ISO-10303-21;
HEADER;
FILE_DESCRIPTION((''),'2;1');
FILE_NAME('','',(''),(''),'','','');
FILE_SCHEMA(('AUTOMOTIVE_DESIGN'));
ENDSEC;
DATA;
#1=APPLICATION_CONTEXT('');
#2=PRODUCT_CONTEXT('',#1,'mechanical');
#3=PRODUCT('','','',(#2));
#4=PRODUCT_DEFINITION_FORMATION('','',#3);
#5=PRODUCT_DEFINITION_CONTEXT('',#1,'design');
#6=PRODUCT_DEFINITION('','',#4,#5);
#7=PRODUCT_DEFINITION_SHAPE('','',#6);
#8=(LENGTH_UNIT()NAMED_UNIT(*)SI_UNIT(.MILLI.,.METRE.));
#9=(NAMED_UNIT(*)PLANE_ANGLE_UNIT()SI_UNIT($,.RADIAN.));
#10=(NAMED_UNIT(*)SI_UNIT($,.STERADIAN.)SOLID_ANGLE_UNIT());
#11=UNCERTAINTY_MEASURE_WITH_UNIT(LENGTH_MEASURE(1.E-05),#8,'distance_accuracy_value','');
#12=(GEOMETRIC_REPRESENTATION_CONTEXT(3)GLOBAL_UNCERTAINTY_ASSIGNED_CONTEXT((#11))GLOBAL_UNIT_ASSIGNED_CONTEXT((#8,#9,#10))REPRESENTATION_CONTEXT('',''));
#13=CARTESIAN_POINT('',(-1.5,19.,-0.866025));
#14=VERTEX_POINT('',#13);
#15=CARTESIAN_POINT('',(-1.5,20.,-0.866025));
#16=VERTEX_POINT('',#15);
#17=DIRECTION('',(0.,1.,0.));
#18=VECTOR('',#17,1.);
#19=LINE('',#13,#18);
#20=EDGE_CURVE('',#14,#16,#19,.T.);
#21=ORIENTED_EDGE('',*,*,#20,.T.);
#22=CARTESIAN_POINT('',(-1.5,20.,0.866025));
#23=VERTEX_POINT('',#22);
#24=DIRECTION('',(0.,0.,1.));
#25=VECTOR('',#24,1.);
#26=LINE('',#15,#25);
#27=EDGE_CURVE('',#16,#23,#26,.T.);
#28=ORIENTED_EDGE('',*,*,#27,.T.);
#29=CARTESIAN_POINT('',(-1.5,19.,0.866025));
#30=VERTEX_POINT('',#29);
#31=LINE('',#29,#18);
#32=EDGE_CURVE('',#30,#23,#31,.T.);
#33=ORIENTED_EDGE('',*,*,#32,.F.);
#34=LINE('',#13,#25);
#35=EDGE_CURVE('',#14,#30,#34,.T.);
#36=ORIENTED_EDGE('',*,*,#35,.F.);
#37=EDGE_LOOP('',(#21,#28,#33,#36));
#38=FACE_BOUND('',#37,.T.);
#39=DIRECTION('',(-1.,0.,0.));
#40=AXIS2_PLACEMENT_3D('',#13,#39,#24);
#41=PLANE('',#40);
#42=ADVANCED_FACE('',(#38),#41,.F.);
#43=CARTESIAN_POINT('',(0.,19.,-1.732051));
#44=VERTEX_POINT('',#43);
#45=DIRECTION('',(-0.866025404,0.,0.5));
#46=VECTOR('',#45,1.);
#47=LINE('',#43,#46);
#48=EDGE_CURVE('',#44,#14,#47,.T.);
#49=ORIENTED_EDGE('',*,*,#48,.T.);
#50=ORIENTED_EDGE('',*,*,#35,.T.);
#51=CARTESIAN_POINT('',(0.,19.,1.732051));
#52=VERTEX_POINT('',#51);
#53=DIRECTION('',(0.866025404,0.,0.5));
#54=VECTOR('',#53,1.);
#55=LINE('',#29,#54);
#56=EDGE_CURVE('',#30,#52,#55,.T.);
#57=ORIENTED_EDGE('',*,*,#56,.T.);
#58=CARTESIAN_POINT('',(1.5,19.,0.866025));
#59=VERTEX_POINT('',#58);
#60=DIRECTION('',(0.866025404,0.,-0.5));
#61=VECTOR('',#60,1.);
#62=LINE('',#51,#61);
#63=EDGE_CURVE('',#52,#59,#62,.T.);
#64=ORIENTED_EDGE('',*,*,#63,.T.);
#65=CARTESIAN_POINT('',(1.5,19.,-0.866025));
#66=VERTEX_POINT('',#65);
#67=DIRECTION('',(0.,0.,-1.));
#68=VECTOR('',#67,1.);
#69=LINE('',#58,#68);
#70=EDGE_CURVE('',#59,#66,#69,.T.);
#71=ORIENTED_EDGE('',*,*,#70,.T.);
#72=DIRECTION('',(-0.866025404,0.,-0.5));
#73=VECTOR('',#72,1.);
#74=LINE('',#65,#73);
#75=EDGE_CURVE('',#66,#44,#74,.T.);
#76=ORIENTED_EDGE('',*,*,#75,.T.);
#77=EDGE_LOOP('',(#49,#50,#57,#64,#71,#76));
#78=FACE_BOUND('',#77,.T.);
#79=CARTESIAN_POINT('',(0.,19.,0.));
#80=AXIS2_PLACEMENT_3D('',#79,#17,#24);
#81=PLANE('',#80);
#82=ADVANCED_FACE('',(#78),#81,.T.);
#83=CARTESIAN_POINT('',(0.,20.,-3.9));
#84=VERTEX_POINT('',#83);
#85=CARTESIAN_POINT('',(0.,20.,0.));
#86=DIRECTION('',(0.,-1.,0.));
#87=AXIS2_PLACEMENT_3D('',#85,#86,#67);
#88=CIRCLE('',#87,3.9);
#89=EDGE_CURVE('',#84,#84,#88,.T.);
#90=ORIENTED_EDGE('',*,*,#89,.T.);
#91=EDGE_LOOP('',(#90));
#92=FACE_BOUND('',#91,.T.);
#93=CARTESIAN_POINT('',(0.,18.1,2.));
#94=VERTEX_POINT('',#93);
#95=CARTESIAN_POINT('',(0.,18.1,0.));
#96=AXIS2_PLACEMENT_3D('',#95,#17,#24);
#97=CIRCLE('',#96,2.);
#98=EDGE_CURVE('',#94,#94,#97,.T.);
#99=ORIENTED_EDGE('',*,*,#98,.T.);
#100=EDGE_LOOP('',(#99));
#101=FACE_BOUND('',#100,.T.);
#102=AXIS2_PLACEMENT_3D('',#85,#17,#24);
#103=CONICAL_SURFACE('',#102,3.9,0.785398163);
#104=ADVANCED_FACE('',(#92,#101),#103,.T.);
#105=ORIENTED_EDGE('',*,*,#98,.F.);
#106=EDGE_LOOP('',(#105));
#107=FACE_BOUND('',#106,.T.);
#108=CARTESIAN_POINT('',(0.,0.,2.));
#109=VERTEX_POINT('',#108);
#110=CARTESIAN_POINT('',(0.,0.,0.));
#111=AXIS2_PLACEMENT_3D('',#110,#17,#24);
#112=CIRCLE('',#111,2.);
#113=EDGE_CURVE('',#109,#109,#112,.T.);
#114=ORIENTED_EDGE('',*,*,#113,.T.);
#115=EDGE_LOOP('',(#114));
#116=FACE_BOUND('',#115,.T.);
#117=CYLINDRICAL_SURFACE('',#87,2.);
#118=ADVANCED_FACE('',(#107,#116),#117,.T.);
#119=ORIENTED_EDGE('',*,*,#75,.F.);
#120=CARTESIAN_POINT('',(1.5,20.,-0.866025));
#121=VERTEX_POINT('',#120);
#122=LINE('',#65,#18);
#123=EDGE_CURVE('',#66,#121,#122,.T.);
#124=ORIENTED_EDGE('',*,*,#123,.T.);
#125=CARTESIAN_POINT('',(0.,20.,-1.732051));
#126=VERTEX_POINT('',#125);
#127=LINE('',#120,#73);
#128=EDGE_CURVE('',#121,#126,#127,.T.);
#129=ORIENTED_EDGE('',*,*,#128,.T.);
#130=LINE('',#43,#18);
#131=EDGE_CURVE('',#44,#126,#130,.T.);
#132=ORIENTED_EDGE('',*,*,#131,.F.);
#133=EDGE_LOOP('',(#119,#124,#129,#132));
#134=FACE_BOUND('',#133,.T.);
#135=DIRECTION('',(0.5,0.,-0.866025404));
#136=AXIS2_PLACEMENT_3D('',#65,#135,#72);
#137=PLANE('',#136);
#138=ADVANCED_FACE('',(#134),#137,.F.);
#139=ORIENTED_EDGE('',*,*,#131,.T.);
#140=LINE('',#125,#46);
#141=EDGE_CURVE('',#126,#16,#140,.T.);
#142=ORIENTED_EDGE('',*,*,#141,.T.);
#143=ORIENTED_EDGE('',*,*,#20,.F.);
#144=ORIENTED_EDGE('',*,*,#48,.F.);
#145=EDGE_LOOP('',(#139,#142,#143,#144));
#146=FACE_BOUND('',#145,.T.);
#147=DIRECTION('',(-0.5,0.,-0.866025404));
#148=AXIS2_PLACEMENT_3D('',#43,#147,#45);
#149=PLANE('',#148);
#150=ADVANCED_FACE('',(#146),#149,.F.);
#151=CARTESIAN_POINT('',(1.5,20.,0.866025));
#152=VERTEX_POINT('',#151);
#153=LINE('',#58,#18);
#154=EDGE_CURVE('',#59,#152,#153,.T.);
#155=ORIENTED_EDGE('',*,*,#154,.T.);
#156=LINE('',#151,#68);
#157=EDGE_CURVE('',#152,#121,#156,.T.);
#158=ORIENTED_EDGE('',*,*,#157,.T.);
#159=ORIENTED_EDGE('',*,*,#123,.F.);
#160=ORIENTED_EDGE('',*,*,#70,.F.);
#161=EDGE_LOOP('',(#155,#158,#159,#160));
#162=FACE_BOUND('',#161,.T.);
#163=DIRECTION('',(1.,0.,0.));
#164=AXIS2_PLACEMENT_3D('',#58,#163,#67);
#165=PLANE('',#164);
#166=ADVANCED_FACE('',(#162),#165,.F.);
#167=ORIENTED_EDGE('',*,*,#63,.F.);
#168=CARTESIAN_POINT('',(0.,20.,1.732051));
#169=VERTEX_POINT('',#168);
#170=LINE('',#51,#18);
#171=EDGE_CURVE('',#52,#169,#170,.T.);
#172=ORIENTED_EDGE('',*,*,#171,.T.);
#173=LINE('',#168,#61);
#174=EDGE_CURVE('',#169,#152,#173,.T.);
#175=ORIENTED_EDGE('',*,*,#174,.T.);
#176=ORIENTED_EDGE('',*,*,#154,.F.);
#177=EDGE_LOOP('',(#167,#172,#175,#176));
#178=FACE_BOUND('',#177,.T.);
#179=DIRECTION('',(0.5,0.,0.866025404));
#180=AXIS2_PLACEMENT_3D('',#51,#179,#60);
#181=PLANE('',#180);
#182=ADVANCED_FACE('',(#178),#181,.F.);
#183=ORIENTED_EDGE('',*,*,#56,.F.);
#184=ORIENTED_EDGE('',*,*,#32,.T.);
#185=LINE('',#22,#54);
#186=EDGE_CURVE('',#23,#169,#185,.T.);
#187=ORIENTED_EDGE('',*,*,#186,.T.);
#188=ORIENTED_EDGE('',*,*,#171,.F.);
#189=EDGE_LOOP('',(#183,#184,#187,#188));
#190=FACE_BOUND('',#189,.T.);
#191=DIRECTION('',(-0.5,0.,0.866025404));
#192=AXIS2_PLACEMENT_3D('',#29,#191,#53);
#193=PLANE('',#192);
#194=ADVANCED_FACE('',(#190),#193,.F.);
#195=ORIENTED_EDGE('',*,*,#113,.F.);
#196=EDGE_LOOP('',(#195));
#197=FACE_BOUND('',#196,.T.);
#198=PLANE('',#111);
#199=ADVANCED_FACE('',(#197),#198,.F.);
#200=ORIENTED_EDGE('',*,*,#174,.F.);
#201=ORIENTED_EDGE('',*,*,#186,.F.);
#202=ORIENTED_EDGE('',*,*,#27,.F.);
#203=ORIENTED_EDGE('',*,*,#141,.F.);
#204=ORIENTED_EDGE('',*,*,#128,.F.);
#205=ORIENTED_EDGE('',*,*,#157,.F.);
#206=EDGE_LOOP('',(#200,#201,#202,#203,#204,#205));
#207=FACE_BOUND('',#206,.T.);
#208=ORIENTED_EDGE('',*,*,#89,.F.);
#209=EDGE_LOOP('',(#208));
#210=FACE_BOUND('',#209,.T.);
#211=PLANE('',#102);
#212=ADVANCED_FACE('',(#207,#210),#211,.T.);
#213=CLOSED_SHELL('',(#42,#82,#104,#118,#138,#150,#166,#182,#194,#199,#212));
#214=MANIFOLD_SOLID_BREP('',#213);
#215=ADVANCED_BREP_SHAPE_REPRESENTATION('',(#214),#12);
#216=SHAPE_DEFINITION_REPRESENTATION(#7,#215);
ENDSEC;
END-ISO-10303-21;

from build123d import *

# Parameters (mm, degrees)
SKETCH1_R           = 2
BOSS_EXTRUDE1_DEPTH = 20
CUT_EXTRUDE1_DEPTH  = 1


with BuildPart() as part:
    # Sketch1 → Boss-Extrude1 (new body)
    with BuildSketch(Plane(origin=(0, 0, 0), x_dir=(1, 0, 0), z_dir=(0, 1, 0))):
        with Locations(Location((0, 0, 0), (0, 0, 270))):
            Circle(SKETCH1_R)
    extrude(amount=BOSS_EXTRUDE1_DEPTH)

    # Sketch3 → Revolve1 (revolve)
    with BuildSketch(Plane(origin=(0, 0, 0), x_dir=(0, 0, -1), z_dir=(1, 0, 0)), mode=Mode.PRIVATE) as revolve1_sk:
        Polygon((0, 20), (3.9, 20), (0, 16.1), align=None)
    revolve(revolve1_sk.sketch.rotate(Axis((0, 16.1, 0), (0, 1, 0)), 180), axis=Axis((0, 16.1, 0), (0, 1, 0)))

    # Sketch4 → Cut-Extrude1 (cut)
    with BuildSketch(Plane(origin=(0, 20, 0), x_dir=(1, 0, 0), z_dir=(0, 1, 0))):
        Polygon((0, 1.732050808), (-1.5, 0.866025404), (-1.5, -0.866025404), (0, -1.732050808), (1.5, -0.866025404), (1.5, 0.866025404), align=None)
    extrude(amount=-CUT_EXTRUDE1_DEPTH, mode=Mode.SUBTRACT)


solid = part.part
